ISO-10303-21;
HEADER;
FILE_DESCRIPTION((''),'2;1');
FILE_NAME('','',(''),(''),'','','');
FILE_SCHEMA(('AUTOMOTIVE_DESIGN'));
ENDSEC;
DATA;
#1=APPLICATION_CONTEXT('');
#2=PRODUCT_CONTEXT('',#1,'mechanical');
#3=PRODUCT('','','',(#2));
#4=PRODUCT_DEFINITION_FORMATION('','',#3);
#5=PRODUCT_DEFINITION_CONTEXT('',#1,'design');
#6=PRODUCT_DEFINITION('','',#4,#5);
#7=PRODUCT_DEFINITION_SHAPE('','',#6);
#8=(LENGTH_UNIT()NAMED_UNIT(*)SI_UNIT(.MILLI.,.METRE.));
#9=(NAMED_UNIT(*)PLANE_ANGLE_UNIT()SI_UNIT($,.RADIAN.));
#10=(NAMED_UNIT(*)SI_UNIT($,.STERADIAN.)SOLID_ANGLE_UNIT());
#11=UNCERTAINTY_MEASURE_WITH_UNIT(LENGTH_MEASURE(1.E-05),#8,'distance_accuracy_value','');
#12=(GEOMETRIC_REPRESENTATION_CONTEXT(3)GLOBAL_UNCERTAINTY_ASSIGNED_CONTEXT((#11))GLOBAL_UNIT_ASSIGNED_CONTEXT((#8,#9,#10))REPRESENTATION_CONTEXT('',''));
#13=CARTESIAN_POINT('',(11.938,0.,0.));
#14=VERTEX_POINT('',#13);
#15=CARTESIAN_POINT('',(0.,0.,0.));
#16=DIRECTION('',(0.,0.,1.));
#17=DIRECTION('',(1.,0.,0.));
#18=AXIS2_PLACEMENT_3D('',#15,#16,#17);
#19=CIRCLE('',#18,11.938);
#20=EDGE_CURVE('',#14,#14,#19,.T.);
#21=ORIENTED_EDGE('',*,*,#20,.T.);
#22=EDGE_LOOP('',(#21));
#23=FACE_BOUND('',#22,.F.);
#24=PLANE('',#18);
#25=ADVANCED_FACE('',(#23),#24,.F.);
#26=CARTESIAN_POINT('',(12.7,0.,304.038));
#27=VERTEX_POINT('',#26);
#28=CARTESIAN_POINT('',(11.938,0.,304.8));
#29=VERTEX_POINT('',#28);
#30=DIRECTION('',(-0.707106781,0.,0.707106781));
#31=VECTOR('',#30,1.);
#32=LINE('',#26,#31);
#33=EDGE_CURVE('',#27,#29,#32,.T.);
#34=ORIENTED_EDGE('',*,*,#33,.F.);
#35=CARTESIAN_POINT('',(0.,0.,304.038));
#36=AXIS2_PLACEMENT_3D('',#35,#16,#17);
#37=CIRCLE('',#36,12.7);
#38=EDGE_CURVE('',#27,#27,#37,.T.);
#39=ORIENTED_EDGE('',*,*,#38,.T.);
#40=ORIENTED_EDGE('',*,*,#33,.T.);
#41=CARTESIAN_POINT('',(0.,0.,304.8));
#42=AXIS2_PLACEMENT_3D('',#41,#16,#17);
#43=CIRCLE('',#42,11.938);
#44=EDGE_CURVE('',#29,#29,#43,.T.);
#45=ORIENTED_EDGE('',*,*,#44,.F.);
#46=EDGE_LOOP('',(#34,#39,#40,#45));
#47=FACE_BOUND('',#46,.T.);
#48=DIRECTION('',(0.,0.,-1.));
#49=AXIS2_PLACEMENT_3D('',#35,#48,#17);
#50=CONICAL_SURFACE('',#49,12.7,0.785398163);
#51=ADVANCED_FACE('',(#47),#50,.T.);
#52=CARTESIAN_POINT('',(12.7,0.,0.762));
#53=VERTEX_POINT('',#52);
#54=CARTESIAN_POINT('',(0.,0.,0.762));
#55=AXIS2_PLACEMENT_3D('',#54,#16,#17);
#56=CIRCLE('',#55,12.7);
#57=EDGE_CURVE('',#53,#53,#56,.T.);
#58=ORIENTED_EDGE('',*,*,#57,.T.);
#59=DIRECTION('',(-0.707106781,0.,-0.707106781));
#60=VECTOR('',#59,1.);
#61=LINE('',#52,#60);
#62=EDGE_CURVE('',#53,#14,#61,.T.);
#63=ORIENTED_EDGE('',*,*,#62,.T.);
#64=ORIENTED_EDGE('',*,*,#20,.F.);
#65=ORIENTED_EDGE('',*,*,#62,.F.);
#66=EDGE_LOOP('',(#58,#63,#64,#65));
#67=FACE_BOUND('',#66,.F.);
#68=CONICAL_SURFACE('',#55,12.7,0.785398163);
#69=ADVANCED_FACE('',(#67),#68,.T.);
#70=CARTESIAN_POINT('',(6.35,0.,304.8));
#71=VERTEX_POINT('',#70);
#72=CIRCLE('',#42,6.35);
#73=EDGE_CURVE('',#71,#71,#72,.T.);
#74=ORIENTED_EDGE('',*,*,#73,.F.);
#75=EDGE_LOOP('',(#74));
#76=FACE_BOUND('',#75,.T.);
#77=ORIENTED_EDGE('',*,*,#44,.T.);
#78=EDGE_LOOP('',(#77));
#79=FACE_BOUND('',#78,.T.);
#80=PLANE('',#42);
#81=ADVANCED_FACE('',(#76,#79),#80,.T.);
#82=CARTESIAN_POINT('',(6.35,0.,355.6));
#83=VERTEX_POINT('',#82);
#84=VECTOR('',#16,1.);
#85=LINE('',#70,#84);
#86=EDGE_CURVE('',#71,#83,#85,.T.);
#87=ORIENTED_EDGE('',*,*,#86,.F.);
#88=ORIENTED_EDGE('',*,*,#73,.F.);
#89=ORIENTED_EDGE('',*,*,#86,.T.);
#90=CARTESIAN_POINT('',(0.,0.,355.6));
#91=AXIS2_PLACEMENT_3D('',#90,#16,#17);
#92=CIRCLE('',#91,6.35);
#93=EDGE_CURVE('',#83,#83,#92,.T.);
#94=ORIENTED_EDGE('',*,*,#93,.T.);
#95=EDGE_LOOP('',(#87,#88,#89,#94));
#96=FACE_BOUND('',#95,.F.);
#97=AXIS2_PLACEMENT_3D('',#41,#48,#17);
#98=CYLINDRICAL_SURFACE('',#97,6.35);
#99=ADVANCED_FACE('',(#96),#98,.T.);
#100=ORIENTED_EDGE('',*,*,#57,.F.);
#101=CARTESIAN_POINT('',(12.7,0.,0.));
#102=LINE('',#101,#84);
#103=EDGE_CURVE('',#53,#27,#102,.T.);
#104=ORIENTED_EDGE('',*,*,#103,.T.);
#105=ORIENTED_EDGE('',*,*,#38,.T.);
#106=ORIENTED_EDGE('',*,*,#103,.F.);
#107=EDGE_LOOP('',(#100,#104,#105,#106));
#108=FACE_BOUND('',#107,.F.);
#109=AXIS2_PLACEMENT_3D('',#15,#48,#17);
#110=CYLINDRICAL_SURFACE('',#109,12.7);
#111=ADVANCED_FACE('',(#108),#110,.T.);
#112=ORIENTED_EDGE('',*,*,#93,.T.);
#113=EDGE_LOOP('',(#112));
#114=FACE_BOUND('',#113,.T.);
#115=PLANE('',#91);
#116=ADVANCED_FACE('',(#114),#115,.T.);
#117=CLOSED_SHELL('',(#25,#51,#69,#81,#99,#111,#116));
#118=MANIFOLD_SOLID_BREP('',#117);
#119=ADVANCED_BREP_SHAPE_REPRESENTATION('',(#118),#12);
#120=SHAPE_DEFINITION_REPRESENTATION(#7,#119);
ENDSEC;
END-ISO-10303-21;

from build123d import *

# Parameters (mm, degrees)
F0_R     = 12.7
F1_DEPTH = 304.8
F2_SIZE  = 0.762
F3_R     = 6.35
F4_DEPTH = 50.8


with BuildPart() as f1:
    # F0 (on Top) → F1 (new body)
    with BuildSketch(Plane.XY):
        Circle(F0_R)
    extrude(amount=F1_DEPTH)

    # F2
    f2_edges = [f1.edges().sort_by_distance(p)[0] for p in [
        (-12.7, 0, 0),
        (-12.7, 0, 304.8),
    ]]
    chamfer(f2_edges, length=F2_SIZE)

    # F3 (on face) → F4 (join)
    with BuildSketch(Plane.XY.offset(304.8)):
        Circle(F3_R)
    extrude(amount=F4_DEPTH)


solid = f1.part
